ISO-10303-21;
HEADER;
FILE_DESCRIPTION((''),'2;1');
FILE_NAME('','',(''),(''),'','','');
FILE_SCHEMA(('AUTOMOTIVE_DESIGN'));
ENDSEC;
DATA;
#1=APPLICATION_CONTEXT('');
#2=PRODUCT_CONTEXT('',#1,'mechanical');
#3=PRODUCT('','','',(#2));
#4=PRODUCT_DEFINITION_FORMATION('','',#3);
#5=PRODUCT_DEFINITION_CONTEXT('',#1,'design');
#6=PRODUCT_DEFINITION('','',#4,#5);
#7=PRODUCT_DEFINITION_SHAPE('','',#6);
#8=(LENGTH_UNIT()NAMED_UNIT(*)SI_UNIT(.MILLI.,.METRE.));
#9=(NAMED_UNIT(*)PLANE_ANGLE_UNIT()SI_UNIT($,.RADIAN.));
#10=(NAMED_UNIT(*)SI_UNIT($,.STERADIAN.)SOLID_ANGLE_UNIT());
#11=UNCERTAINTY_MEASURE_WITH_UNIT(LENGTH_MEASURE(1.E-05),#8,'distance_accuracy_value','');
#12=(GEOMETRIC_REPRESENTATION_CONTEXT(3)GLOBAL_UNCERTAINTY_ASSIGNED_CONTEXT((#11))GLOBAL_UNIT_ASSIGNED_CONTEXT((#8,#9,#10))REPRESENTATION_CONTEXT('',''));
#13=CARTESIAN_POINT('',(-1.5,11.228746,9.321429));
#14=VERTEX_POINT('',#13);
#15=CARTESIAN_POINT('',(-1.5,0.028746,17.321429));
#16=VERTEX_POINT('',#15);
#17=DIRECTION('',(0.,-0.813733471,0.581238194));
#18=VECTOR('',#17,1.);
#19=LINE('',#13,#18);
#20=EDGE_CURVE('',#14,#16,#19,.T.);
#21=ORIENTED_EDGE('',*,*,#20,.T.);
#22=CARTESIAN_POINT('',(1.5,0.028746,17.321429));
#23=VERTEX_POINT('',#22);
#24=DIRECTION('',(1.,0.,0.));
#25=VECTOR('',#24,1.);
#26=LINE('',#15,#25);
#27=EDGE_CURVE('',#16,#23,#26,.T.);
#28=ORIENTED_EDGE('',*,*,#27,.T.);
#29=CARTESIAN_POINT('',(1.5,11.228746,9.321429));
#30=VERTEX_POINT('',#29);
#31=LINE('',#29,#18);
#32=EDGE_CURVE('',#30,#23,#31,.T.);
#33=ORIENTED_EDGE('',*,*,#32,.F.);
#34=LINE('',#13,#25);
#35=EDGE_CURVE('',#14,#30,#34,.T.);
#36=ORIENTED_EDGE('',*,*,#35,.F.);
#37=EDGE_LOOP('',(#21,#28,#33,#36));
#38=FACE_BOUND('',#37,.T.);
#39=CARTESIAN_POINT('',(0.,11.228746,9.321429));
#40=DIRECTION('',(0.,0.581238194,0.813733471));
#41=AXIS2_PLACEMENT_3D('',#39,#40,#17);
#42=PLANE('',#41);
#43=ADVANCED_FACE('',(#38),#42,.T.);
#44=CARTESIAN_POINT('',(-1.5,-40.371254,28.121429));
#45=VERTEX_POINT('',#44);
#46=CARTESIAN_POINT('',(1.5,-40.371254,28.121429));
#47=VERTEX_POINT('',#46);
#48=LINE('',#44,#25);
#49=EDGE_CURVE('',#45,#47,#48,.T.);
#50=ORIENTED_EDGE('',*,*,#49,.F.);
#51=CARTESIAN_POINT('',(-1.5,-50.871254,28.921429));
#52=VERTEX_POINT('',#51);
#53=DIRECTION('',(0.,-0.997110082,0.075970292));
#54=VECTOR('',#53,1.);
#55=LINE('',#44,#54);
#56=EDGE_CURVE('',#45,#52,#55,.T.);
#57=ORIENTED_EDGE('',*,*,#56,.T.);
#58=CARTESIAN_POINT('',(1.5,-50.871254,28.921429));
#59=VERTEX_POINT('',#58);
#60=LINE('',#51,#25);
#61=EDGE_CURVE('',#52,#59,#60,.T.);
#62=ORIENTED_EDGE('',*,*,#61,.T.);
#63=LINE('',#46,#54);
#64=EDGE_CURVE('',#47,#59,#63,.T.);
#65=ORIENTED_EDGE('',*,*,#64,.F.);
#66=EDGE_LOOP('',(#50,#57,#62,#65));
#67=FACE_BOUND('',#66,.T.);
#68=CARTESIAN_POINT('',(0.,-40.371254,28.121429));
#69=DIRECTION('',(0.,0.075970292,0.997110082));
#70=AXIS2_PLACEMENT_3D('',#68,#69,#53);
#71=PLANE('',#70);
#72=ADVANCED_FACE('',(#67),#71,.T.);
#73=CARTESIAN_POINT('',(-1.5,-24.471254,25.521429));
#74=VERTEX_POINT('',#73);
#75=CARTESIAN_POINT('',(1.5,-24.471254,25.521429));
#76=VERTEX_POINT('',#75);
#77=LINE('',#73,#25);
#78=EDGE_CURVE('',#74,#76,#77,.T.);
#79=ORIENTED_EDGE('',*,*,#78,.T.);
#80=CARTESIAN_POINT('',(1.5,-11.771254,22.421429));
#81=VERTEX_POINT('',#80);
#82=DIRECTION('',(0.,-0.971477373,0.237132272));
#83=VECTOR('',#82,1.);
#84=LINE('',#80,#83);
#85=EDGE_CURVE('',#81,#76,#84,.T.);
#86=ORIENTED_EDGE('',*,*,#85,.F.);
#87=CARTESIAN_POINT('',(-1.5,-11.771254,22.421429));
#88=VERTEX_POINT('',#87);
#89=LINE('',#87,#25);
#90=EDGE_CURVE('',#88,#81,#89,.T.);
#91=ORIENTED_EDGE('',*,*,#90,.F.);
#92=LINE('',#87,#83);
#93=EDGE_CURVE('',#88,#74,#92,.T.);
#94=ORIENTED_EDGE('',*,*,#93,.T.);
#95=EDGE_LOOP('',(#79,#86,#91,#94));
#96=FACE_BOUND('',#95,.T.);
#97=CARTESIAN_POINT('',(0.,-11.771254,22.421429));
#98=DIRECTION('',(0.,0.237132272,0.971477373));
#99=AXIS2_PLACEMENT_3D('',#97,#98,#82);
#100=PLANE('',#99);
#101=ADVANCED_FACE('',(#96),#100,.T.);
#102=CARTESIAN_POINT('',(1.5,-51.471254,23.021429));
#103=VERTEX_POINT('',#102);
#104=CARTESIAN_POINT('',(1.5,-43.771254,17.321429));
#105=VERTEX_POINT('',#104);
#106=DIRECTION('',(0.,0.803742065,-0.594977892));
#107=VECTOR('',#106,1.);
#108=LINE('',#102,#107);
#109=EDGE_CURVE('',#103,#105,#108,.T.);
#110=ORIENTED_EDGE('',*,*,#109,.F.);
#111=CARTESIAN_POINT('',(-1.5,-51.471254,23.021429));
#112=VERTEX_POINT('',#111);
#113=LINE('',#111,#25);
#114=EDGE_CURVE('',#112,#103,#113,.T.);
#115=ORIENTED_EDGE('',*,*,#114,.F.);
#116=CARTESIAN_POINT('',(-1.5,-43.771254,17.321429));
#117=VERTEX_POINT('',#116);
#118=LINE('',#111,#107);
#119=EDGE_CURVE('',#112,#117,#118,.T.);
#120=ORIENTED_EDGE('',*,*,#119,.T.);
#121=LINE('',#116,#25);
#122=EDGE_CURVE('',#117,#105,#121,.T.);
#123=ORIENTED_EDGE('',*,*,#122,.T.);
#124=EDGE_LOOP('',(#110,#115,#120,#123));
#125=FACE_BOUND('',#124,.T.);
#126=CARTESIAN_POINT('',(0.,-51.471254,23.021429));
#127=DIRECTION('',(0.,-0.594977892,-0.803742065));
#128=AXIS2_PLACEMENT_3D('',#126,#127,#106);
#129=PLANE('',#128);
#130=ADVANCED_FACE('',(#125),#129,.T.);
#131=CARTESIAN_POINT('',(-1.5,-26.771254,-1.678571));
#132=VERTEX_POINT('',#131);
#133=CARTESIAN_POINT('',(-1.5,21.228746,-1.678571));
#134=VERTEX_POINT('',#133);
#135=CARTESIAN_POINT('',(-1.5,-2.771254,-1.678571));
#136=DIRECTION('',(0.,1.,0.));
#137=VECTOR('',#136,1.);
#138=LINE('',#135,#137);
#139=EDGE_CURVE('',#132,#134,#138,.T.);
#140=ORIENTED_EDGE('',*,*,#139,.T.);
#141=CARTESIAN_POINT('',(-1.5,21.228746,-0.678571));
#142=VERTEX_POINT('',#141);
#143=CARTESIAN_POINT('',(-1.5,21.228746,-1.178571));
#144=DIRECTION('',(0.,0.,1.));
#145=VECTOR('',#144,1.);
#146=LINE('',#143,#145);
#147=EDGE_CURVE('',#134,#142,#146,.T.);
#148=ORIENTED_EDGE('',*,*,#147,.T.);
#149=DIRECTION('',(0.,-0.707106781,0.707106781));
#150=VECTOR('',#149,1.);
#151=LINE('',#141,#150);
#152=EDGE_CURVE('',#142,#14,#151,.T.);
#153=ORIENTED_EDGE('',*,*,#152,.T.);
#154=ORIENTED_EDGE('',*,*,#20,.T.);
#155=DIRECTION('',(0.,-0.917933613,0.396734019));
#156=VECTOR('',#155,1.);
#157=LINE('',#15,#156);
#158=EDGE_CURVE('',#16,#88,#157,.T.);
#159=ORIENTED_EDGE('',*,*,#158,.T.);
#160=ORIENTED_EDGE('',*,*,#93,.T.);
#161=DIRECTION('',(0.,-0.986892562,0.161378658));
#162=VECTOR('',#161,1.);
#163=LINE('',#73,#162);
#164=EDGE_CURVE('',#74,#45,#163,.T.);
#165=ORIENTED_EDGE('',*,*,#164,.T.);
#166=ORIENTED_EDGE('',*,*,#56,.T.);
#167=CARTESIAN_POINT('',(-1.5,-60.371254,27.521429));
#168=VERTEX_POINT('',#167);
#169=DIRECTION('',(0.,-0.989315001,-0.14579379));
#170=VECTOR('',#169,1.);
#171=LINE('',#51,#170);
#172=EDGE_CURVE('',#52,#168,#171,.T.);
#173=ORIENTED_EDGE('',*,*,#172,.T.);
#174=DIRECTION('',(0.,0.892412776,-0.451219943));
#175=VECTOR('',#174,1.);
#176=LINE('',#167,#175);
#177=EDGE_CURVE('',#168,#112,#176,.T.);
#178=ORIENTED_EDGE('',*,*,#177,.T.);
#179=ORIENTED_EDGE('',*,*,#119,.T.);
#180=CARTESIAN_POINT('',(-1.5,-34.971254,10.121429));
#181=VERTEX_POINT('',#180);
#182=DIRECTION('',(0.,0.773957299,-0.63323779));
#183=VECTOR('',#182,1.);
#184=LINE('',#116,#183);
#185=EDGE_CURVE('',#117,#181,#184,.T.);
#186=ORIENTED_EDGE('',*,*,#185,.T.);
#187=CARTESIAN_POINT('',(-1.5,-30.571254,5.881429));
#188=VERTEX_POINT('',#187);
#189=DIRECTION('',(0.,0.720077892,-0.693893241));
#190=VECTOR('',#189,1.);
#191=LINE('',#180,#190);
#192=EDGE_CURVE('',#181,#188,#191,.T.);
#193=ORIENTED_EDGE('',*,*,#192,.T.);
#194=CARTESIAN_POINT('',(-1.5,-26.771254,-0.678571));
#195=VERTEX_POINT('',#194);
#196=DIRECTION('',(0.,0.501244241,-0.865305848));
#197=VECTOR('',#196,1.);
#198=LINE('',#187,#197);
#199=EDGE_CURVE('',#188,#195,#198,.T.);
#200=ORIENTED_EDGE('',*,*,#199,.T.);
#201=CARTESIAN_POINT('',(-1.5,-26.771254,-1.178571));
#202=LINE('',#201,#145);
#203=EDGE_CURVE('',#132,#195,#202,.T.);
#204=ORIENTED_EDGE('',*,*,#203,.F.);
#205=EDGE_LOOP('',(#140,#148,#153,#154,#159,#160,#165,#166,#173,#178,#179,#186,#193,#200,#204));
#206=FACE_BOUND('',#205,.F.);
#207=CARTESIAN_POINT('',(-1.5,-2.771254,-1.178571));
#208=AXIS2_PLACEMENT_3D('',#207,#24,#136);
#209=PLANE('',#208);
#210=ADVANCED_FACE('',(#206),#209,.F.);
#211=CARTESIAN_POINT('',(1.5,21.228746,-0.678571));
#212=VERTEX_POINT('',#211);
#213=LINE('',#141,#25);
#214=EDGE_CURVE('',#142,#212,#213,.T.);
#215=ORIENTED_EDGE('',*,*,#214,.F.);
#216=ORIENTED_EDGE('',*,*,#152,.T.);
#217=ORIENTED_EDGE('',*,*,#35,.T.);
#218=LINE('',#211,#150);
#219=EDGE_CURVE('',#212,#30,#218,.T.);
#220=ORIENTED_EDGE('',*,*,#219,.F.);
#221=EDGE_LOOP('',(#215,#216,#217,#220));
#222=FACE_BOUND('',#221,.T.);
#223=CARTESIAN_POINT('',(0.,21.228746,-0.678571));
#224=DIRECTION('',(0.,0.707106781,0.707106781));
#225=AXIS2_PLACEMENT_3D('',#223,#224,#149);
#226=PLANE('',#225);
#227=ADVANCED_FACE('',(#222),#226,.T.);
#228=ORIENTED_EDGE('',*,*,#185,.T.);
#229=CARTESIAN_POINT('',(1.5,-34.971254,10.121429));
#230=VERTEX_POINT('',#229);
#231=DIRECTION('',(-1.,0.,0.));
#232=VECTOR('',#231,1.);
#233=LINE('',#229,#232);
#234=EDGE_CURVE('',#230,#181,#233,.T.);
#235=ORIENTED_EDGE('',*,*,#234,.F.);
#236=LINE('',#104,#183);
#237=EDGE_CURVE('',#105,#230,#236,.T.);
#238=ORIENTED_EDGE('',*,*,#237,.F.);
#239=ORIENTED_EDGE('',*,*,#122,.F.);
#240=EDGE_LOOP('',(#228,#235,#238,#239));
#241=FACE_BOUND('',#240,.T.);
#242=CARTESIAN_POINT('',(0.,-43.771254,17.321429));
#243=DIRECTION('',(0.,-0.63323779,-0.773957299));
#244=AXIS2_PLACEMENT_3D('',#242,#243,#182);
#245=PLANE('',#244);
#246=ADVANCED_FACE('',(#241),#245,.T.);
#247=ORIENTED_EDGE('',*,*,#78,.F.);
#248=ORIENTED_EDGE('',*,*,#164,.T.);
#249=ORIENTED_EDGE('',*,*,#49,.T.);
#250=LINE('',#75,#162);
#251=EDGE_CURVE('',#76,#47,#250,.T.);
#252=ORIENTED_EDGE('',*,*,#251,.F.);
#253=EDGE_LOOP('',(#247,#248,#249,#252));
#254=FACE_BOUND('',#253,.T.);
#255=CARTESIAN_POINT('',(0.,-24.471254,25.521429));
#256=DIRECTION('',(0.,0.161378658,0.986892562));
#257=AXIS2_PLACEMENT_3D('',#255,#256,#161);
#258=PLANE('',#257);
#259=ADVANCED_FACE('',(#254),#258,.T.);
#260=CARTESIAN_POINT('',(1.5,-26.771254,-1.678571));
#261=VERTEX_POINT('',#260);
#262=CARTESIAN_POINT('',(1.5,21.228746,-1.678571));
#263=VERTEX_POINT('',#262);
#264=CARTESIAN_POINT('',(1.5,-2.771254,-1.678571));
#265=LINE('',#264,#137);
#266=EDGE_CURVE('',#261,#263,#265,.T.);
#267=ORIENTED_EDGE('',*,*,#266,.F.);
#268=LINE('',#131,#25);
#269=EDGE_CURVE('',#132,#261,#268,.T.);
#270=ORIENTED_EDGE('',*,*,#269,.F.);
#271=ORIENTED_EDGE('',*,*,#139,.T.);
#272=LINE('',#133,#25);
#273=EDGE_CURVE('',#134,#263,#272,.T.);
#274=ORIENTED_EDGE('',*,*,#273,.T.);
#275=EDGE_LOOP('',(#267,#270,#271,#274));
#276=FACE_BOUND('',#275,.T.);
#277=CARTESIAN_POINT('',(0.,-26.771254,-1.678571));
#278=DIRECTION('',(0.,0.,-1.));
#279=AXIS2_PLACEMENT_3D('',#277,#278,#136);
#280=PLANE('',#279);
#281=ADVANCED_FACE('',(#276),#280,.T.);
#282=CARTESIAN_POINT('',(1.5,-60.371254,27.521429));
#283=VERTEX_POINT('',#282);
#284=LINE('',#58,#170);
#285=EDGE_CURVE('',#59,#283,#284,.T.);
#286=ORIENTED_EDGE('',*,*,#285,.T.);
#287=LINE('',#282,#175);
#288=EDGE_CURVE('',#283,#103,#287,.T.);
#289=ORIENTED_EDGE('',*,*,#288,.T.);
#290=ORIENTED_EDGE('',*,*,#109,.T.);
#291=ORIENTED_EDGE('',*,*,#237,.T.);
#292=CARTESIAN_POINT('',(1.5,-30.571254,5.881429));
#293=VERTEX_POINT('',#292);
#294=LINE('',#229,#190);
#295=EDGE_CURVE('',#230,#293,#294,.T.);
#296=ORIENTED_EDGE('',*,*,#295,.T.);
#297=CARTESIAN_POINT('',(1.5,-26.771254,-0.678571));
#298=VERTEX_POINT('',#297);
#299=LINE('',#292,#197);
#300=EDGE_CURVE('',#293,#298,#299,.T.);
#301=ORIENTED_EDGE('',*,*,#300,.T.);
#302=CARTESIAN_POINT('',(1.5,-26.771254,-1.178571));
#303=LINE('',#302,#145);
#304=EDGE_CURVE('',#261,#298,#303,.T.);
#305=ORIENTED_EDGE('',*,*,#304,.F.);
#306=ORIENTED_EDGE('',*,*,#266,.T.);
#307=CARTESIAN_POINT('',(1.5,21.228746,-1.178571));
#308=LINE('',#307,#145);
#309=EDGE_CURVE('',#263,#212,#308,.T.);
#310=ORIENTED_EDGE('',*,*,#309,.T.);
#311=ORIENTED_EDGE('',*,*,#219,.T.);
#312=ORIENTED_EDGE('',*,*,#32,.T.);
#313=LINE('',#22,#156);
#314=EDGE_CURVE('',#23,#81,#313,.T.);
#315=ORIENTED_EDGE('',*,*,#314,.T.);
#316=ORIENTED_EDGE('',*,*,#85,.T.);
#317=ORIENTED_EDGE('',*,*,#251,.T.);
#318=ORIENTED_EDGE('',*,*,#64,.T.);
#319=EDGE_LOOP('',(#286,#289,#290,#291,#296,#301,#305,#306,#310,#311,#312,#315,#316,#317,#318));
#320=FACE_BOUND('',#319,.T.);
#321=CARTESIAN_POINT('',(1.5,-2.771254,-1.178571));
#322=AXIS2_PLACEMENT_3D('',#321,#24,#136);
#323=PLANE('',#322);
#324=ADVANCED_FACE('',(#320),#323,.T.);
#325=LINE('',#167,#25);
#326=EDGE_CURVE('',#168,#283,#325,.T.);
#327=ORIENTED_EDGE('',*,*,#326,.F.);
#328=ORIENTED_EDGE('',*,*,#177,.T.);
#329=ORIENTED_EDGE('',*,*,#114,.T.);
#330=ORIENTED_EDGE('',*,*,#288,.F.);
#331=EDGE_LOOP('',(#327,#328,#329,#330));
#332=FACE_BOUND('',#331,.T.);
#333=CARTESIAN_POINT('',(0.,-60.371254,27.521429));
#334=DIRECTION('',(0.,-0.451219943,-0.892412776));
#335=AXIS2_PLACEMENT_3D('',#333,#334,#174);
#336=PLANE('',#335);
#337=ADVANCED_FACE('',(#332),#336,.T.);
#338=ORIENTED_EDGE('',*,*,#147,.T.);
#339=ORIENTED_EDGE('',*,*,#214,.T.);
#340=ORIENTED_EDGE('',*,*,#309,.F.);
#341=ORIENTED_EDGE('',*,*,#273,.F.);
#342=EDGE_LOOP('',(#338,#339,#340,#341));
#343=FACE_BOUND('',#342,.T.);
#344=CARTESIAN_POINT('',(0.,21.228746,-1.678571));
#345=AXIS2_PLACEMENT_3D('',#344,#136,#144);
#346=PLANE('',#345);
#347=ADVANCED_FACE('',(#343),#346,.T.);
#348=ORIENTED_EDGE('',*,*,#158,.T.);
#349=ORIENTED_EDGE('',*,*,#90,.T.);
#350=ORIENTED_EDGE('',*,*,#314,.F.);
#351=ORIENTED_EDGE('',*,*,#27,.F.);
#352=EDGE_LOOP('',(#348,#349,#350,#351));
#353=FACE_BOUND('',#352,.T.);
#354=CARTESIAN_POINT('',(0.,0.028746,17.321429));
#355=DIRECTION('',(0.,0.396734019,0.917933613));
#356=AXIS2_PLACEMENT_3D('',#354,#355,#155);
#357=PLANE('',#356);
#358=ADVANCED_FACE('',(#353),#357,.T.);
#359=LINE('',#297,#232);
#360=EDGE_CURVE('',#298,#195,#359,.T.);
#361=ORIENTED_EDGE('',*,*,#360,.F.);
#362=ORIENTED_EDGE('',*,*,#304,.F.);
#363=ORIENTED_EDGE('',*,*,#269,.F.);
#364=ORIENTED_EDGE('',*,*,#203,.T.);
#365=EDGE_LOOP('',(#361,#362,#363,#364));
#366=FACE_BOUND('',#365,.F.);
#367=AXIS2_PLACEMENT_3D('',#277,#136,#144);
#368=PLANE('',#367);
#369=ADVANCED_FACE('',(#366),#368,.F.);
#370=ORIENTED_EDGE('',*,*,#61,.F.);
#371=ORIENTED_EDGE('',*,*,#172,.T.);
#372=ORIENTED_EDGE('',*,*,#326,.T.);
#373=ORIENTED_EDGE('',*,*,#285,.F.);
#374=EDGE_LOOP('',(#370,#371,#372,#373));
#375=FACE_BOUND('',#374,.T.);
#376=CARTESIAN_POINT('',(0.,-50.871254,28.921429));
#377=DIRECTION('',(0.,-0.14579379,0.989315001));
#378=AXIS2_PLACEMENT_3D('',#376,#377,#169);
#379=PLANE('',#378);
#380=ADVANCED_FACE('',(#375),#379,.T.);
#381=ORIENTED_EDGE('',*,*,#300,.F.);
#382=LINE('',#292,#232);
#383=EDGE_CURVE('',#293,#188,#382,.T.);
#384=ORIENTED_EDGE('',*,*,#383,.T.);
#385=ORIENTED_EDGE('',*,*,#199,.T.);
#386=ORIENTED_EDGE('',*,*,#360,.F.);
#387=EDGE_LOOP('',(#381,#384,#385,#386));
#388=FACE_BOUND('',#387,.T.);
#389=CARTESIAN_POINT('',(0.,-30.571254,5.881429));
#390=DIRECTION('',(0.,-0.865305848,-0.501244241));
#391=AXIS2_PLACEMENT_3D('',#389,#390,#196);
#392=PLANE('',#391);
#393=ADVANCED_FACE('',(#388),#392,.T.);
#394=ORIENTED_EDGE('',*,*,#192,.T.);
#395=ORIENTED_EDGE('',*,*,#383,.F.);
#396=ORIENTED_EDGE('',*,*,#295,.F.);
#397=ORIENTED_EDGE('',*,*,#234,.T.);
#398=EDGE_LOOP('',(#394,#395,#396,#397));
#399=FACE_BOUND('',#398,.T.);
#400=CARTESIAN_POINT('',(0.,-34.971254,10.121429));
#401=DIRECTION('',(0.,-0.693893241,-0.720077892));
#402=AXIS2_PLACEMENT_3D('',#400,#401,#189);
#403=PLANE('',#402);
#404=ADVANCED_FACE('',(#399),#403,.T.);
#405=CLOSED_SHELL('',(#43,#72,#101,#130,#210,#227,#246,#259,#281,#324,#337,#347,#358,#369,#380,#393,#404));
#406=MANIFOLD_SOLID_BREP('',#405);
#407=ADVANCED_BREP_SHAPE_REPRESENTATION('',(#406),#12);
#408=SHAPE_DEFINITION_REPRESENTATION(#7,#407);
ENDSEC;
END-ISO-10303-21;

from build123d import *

# Parameters (mm, degrees)
F0_W     = 48
F0_H     = 1
F1_DEPTH = 1.5


with BuildPart() as f1:
    # F0 (on Right) → F1 (new body, symmetric)
    with BuildSketch(Plane.YZ):
        with Locations((-2.771254, -1.178571)):
            Rectangle(F0_W, F0_H)
        Polygon((-26.771254, -0.678571), (21.228746, -0.678571), (11.228746, 9.321429), (0.028746, 17.321429), (-11.771254, 22.421429), (-24.471254, 25.521429), (-40.371254, 28.121429), (-50.871254, 28.921429), (-60.371254, 27.521429), (-51.471254, 23.021429), (-43.771254, 17.321429), (-34.971254, 10.121429), (-30.571254, 5.881429), align=None)
    extrude(amount=F1_DEPTH, both=True)


solid = f1.part
